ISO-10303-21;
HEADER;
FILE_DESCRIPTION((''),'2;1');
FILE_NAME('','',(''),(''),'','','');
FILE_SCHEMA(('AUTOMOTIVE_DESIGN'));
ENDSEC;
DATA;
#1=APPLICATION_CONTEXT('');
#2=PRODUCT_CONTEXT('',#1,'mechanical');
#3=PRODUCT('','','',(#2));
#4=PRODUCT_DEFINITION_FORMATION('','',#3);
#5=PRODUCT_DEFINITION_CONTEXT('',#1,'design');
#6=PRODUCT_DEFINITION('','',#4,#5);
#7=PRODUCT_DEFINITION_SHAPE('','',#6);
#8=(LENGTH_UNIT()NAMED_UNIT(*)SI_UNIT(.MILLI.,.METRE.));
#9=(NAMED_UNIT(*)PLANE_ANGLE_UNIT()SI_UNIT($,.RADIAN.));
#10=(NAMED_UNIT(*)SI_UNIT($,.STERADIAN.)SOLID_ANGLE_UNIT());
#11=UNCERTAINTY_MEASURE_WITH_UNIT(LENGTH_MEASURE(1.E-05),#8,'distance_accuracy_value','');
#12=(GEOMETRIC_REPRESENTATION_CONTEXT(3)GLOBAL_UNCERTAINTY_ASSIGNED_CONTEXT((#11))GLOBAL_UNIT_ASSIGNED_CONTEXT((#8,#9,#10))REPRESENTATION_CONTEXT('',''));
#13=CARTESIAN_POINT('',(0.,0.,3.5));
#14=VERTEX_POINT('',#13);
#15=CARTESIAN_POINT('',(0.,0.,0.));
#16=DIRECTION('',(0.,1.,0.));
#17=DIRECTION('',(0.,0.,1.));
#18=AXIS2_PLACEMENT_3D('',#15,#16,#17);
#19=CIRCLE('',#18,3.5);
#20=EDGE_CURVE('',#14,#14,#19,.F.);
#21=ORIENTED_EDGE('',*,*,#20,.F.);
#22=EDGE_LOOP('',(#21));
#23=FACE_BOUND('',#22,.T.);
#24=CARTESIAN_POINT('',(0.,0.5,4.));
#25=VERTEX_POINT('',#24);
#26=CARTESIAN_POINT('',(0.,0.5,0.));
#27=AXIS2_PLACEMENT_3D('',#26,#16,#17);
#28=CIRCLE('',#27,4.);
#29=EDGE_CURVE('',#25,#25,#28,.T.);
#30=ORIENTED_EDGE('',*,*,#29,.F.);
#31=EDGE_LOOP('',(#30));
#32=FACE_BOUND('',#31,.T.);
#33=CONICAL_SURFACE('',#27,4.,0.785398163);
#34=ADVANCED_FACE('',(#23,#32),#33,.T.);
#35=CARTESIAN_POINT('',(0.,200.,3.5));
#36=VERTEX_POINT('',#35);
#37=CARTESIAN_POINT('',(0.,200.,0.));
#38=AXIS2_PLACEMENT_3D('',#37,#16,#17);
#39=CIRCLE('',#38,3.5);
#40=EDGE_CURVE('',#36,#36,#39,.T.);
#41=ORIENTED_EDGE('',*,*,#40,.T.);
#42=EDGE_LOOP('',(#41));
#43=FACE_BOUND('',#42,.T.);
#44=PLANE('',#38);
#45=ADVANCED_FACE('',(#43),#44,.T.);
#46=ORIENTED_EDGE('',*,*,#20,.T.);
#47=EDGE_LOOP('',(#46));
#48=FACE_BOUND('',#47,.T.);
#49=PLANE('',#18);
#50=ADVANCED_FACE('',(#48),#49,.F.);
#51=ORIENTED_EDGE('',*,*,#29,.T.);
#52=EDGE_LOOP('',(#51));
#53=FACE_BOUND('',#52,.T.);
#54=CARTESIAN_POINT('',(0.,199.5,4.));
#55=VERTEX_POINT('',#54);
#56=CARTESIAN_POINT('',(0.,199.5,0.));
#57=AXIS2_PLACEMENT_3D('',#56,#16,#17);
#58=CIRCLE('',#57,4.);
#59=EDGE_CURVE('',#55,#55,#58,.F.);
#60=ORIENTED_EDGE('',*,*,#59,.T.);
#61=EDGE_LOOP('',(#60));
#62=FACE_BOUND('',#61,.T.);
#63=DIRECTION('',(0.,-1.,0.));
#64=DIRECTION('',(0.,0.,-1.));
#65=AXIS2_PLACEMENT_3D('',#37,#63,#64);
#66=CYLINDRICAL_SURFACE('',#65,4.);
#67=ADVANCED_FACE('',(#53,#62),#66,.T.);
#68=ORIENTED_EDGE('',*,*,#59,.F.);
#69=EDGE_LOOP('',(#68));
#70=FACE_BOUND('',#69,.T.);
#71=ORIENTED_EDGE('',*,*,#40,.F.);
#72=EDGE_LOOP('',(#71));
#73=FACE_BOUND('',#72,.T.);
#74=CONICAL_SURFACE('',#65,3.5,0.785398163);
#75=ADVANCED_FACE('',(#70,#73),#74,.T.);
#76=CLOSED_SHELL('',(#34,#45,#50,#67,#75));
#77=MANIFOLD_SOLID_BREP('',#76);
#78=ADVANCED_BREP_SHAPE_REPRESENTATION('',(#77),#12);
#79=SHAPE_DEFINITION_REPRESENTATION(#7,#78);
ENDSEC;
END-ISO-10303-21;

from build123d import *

# Parameters (mm, degrees)
SKETCH_1_R      = 4
EXTRUDE_1_DEPTH = 200
CHAMFER_1_SIZE  = 0.5


with BuildPart() as part:
    # Эскиз1 → Бобышка-Вытянуть1 (new body)
    with BuildSketch(Plane(origin=(0, 0, 0), x_dir=(1, 0, 0), z_dir=(0, 1, 0))):
        with Locations(Location((0, 0, 0), (0, 0, 270))):
            Circle(SKETCH_1_R)
    extrude(amount=EXTRUDE_1_DEPTH)

    # Фаска1
    chamfer_1_edges = [part.edges().sort_by_distance(p)[0] for p in [
        (0, 0, -4),
        (0, 200, -4),
    ]]
    chamfer(chamfer_1_edges, length=CHAMFER_1_SIZE)


solid = part.part
